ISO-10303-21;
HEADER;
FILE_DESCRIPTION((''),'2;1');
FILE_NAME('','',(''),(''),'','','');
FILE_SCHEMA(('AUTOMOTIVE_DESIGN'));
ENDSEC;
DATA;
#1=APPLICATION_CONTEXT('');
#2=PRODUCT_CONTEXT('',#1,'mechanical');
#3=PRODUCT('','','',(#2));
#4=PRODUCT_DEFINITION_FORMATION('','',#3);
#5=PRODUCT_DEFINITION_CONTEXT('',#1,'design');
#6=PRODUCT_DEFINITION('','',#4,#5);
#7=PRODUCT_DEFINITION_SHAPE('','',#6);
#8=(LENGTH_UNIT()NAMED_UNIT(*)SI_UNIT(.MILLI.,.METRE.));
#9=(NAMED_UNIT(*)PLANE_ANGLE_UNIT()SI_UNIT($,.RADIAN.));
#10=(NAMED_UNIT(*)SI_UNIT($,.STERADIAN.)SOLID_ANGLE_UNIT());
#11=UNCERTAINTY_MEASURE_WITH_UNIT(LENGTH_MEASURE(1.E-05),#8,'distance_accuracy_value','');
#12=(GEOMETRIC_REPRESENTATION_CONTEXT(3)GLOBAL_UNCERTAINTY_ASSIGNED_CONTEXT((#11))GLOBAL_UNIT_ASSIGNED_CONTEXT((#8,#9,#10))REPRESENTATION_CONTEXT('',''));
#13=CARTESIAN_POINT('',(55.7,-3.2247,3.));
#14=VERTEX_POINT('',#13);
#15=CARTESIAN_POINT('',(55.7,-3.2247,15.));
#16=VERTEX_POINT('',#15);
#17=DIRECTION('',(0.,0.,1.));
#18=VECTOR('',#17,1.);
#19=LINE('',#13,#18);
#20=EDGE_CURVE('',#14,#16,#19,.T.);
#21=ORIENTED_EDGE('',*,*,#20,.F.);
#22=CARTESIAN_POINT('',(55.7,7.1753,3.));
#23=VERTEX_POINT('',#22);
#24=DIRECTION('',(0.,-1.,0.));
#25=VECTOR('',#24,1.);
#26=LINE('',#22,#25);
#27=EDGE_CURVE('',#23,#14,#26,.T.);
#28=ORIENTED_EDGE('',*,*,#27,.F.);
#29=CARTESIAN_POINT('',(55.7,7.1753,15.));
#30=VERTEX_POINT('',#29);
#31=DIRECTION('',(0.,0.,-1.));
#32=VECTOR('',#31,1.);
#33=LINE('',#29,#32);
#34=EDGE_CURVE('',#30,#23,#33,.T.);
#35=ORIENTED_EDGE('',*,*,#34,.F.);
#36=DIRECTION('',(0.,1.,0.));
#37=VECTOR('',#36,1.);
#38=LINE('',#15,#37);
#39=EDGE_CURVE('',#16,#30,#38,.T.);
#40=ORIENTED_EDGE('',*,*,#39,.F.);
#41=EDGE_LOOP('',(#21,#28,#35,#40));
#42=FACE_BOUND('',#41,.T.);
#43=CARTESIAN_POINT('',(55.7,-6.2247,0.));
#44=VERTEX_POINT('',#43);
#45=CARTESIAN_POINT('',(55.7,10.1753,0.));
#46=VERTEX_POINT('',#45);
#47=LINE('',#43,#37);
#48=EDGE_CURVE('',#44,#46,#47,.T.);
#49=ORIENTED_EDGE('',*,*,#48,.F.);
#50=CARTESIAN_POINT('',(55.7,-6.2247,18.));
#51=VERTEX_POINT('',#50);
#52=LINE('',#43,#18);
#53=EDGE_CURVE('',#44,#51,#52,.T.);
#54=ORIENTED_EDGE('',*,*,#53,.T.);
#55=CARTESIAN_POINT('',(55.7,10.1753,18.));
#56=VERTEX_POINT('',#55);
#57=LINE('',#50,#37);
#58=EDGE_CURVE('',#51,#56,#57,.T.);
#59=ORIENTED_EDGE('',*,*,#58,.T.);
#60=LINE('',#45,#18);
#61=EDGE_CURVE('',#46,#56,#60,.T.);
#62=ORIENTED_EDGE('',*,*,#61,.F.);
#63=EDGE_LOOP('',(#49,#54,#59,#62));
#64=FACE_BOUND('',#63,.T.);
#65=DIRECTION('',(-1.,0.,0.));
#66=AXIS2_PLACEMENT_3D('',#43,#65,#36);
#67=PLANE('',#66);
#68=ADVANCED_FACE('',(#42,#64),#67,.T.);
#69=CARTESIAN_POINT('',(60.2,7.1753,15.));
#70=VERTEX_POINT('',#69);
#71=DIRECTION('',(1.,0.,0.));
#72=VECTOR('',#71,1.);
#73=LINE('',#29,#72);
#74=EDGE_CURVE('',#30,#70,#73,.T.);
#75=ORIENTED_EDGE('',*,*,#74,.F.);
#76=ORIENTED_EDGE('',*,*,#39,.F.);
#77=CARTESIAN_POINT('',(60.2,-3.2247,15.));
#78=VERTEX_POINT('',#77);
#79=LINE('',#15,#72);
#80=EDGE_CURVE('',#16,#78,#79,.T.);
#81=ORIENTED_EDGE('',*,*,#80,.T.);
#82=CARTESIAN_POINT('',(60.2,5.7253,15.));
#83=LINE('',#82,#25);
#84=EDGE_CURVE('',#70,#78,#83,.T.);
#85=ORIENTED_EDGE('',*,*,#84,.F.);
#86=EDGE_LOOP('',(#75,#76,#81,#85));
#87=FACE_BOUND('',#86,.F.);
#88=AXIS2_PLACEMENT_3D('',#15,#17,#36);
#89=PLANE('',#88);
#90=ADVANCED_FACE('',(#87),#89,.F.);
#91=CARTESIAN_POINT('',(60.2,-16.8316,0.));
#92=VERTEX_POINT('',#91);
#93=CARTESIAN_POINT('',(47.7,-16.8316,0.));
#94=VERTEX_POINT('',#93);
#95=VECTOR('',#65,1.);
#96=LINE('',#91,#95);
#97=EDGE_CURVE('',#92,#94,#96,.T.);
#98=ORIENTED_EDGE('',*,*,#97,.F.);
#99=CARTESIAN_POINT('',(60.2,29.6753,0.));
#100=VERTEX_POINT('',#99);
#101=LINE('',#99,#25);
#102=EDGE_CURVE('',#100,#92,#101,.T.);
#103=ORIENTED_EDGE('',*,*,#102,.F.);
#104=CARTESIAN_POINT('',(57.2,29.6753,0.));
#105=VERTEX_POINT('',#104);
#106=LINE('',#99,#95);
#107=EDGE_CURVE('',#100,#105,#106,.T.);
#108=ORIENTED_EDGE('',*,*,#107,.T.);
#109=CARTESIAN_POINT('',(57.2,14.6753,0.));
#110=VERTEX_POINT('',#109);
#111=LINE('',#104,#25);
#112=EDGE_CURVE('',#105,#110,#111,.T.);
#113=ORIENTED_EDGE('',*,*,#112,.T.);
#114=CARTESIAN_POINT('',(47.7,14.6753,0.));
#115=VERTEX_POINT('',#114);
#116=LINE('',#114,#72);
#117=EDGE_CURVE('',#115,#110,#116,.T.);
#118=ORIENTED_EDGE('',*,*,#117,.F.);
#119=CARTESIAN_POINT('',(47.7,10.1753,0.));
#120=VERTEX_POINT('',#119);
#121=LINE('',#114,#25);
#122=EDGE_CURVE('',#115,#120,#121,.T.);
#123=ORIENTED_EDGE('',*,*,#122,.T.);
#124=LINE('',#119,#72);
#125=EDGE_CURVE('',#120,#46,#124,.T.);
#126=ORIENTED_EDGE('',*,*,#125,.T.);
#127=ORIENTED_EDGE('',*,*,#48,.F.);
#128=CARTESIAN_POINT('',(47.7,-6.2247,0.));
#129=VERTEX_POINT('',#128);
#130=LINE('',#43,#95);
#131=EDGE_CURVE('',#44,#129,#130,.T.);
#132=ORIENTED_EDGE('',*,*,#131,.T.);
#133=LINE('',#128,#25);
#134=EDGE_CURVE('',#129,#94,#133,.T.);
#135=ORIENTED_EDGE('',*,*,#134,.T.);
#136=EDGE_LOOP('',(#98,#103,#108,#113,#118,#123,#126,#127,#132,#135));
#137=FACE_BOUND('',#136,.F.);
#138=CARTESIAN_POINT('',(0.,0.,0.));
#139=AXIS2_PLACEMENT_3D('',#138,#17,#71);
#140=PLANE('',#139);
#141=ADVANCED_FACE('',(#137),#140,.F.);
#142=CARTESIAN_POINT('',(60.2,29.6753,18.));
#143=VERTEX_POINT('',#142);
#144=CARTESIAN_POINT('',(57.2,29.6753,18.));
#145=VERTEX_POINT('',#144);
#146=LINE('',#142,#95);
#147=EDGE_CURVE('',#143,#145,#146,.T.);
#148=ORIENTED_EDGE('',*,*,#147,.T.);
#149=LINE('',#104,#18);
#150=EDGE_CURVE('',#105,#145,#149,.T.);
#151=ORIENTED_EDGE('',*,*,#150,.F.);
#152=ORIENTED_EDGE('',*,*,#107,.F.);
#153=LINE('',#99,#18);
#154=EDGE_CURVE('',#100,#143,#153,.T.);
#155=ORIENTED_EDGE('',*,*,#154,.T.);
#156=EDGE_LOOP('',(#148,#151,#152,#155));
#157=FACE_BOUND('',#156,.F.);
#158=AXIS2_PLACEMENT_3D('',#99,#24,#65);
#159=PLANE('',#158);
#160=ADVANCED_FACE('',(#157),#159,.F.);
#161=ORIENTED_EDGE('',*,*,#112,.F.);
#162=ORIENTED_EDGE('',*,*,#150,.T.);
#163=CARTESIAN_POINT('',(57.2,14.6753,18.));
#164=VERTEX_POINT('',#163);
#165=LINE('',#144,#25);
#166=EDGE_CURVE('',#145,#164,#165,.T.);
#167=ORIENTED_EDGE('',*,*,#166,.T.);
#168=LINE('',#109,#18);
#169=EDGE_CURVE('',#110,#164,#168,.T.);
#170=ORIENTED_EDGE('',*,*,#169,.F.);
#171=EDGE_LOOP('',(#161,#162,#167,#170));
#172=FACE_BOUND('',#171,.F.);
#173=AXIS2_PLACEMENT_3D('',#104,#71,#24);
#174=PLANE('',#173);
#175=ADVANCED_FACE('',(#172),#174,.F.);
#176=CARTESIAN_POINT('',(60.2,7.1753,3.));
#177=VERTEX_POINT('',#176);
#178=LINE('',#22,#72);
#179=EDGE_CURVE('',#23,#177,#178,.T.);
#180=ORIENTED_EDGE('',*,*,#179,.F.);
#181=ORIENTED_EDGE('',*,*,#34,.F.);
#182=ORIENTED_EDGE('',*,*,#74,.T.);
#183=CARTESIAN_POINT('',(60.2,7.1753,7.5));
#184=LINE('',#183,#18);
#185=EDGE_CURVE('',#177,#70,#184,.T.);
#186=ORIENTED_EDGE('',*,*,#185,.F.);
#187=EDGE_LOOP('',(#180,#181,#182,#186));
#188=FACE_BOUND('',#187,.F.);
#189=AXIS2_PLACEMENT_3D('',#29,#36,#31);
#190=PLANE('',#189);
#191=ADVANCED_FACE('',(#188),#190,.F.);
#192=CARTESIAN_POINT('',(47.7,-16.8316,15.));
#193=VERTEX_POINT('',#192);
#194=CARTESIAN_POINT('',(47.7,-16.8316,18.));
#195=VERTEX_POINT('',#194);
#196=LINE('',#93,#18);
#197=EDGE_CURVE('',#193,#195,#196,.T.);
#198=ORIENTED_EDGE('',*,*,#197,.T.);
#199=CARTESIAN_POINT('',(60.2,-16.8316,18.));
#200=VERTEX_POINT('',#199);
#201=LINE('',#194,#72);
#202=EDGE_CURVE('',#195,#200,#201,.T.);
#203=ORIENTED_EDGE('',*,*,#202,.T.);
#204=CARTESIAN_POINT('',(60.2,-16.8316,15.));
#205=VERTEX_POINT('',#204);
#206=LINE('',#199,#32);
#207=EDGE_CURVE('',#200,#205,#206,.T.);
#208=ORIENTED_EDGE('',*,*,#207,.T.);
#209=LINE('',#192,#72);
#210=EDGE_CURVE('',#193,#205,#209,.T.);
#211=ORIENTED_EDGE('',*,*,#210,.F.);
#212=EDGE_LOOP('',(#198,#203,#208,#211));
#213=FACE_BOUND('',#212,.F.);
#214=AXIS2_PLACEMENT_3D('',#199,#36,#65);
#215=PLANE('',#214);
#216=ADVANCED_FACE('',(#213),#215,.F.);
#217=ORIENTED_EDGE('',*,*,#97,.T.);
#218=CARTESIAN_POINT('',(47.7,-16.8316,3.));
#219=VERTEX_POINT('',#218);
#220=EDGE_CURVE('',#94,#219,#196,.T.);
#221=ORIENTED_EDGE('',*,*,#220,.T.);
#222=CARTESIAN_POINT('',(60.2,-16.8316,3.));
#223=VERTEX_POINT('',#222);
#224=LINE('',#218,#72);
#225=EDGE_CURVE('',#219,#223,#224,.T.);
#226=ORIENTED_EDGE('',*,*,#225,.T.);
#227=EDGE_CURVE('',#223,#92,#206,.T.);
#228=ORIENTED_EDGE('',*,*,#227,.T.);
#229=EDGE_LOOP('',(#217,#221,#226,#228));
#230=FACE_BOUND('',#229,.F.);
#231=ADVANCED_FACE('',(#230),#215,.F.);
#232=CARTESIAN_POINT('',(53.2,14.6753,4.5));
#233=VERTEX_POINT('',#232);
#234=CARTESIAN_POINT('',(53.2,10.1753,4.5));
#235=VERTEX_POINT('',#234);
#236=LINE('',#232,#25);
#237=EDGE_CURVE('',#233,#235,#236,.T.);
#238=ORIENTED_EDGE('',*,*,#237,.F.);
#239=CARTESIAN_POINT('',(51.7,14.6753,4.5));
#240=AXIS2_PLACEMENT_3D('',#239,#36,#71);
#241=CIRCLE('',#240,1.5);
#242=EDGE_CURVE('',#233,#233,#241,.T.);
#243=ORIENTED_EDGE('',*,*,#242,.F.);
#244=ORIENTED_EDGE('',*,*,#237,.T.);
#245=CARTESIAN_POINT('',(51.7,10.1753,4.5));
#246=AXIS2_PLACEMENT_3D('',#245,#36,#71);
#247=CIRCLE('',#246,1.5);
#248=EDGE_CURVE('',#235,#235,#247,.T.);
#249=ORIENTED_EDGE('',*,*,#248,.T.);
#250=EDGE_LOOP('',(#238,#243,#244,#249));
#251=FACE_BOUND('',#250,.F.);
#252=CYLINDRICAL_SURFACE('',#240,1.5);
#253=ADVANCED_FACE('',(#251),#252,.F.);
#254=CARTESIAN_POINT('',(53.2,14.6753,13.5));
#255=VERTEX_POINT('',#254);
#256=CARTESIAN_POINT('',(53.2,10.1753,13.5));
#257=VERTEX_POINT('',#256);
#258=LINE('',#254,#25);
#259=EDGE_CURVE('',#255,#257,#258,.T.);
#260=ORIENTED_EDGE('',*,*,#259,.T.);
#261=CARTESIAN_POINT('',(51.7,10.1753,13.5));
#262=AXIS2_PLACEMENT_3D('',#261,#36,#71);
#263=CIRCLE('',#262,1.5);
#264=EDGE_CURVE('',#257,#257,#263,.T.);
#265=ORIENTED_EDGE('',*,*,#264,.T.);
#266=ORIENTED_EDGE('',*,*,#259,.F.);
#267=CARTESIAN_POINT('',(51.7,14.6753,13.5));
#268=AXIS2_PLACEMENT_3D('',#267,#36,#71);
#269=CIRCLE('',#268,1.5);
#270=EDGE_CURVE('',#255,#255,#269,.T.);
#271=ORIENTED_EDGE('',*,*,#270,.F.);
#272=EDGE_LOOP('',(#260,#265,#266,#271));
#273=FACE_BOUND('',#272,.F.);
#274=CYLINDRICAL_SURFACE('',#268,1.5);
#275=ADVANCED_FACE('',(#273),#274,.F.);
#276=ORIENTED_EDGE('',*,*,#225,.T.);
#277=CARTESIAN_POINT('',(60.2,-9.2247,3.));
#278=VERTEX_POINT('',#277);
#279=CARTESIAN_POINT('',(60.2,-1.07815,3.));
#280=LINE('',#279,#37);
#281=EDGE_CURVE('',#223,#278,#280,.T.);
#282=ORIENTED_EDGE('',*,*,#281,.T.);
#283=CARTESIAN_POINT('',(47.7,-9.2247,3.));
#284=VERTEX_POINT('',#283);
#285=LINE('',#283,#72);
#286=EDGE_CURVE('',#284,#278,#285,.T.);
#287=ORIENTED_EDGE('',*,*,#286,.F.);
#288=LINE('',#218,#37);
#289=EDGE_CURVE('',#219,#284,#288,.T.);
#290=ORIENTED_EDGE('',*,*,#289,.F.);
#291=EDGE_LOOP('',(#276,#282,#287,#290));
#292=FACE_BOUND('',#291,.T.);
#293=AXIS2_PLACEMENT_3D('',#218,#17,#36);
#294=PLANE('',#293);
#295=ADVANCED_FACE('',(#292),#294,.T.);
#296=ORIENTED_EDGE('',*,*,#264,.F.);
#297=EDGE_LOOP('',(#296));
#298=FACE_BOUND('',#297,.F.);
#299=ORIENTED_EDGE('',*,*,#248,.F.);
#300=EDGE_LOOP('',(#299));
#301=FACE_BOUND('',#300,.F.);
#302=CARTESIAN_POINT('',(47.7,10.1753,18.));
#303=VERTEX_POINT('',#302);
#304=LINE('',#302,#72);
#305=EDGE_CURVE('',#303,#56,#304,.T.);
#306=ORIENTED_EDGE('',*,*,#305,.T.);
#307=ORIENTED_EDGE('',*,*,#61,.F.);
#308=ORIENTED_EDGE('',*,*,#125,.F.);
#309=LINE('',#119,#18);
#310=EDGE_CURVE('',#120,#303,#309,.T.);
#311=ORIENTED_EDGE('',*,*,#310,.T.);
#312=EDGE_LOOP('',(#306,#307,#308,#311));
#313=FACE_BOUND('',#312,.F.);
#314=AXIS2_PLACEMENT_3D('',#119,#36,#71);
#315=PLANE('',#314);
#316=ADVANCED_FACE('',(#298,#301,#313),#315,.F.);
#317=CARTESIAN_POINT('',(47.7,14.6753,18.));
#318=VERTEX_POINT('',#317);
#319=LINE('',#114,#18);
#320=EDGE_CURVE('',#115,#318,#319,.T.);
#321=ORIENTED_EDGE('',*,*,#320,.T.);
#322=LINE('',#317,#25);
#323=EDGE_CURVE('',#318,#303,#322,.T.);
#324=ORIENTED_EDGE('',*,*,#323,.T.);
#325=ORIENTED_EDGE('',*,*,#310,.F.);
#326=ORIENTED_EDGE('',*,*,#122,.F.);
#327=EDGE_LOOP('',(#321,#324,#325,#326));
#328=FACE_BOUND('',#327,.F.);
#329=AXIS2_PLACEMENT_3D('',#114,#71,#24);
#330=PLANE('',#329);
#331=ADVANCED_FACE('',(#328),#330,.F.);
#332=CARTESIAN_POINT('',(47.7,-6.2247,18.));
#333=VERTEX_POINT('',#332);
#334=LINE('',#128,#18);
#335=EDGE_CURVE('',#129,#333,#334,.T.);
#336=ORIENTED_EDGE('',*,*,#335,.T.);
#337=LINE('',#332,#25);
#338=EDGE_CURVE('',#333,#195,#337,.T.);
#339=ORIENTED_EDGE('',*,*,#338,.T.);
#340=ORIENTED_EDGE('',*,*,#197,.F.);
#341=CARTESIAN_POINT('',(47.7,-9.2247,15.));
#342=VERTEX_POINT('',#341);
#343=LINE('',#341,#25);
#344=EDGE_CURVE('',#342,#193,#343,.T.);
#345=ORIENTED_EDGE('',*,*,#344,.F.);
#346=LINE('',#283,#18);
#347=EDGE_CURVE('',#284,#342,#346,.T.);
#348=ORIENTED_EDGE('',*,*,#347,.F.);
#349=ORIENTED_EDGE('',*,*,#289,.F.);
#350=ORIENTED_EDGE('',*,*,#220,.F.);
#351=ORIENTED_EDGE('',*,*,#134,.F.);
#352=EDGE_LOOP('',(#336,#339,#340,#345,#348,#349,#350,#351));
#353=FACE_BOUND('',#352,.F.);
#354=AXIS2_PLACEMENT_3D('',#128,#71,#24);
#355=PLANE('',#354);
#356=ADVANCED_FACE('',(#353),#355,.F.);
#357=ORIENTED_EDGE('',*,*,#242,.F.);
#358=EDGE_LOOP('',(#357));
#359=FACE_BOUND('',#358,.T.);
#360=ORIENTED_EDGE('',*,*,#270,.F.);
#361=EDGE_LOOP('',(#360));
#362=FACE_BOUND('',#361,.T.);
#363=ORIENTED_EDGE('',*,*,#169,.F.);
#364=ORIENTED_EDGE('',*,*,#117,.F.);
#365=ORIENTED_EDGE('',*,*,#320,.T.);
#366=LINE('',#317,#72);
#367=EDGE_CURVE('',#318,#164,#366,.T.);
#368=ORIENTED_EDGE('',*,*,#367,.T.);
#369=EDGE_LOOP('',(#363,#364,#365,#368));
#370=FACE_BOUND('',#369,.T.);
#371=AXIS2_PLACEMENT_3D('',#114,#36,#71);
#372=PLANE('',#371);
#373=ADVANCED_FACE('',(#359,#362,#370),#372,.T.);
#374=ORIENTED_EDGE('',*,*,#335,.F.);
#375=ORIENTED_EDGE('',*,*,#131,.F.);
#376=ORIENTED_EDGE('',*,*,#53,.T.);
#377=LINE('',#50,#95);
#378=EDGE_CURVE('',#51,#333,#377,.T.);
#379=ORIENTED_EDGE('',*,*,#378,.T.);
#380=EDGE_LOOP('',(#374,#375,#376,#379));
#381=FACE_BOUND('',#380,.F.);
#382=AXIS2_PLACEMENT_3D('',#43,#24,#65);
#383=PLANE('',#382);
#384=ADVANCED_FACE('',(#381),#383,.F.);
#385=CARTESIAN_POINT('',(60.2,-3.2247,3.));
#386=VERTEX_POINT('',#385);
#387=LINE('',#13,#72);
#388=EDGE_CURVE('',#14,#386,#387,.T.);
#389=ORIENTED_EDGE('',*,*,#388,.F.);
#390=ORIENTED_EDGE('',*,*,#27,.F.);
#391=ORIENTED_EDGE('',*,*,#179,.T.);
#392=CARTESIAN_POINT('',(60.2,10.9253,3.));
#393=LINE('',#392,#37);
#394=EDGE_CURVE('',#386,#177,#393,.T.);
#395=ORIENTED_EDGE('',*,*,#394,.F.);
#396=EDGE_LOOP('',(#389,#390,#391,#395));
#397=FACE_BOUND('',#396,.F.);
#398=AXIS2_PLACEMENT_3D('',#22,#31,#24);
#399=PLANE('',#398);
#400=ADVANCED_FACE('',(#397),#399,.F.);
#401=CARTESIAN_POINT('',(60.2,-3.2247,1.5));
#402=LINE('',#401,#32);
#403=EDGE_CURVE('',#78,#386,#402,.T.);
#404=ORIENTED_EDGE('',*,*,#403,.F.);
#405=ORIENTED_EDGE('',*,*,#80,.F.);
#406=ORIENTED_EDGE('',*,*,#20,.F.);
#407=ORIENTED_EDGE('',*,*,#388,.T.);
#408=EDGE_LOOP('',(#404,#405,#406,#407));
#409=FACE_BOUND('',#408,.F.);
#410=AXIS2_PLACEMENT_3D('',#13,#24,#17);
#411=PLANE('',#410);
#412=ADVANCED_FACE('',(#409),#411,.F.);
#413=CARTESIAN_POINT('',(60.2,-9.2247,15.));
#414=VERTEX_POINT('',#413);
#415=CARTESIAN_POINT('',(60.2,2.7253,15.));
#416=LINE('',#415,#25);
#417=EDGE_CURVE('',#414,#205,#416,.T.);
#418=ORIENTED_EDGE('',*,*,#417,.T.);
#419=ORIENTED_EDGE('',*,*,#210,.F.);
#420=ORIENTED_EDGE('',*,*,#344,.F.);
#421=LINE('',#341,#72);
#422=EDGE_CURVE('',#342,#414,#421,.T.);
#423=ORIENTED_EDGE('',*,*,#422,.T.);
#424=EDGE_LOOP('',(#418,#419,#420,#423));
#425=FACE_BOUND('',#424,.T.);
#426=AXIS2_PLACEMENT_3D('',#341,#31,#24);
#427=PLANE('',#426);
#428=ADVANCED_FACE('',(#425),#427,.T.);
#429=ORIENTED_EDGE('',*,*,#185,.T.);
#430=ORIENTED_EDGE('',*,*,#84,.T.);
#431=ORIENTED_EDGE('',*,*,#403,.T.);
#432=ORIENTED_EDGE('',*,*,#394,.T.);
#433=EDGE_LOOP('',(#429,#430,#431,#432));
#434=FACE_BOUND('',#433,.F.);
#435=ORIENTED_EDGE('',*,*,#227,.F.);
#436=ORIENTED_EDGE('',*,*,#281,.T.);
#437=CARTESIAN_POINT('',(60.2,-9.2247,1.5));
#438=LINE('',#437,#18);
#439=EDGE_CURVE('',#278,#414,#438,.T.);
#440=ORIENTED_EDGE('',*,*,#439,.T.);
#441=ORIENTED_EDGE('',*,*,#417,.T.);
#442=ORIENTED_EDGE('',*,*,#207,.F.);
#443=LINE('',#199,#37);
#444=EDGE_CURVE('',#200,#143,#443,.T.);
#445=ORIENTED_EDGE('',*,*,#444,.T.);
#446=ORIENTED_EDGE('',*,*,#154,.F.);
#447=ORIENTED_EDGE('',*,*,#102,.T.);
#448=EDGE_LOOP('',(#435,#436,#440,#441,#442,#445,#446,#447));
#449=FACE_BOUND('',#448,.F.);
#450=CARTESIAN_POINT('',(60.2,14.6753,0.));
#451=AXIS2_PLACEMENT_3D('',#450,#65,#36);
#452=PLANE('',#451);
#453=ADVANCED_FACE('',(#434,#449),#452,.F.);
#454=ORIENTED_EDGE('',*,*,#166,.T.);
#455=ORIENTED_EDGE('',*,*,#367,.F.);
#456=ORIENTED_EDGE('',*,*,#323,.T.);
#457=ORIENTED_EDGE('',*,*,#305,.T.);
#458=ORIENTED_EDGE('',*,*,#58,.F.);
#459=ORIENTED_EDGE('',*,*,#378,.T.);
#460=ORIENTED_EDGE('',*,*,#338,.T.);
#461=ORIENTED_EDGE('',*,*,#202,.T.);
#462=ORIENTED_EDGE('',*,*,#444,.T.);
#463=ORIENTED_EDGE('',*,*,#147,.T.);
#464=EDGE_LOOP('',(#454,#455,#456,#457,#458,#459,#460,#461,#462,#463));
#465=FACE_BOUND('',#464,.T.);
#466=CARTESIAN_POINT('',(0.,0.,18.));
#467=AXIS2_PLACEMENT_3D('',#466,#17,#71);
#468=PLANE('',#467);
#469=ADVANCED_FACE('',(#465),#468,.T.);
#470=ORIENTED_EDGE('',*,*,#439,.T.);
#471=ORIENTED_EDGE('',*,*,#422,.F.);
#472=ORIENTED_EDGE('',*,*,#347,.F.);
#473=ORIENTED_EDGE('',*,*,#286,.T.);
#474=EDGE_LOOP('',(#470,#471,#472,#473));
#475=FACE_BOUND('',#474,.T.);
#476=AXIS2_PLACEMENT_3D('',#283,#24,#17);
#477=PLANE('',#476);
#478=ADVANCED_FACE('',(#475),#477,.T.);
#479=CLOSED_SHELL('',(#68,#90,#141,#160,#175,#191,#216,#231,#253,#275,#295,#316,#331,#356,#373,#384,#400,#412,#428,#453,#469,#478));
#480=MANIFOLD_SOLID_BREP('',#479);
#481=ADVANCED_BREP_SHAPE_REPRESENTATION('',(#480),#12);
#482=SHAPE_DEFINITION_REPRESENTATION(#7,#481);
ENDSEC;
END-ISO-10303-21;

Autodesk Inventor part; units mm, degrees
ref_plane "YZ Plane" through (0, 0, 0) normal (1, 0, 0) x (0, 1, 0)
ref_plane "XZ Plane" through (0, 0, 0) normal (0, 1, 0) x (-1, 0, 0)
ref_plane "XY Plane" through (0, 0, 0) normal (0, 0, 1) x (1, 0, 0)
sketch "Sketch1" plane through (0, 0, 0) normal (0, 0, 1) x (1, 0, 0)
  line L0 (47.7, 10.1753) -> (55.7, 10.1753)
  line L1 (55.7, -6.2247) -> (47.7, -6.2247)
  line L2 (47.7, -33.2316) -> (55.7, -33.2316)
  line L3 (55.7, -33.2316) -> (55.7, -16.8316)
  line L4 (55.7, -16.8316) -> (47.7, -16.8316)
  line L5 (60.2, -37.7316) -> (47.7, -37.7316)
  line L6 (60.2, -37.7316) -> (60.2, 14.6753)
  line L7 (55.7, -6.2247) -> (55.7, 10.1753)
  line L8 (47.7, 14.6753) -> (57.2, 14.6753)
  line L9 (47.7, -33.2316) -> (47.7, -37.7316)
  line L10 (47.7, 14.6753) -> (47.7, 10.1753)
  line L11 (47.7, -6.2247) -> (47.7, -16.8316)
  line L12 (60.2, 14.6753) -> (60.2, 29.6753)
  line L13 (60.2, 29.6753) -> (57.2, 29.6753)
  line L14 (57.2, 29.6753) -> (57.2, 14.6753)
extrude "Extrusion1" add sketch "Sketch1" along normal blind 18
sketch "Sketch2" plane through (0, 0, 18) normal (0, 0, 1) x (1, 0, 0)
  line L0 (60.2, 29.6753) -> (60.2, -37.7316) construction
  line L1 (47.7, -37.7316) -> (47.7, -33.2316) construction
  line L2 (60.2, -16.8316) -> (47.7, -16.8316)
  line L3 (47.7, -16.8316) -> (47.7, -37.7316)
  line L4 (47.7, -37.7316) -> (60.2, -37.7316)
  line L5 (60.2, -37.7316) -> (60.2, -16.8316)
  point P0 (0, 0)
extrude "Extrusion2" cut sketch "Sketch2" against normal blind 18
sketch "Sketch3" plane through (47.7, 14.6753, 0) normal (0, 1, 0) x (1, 0, 0)
  circle A0 centre (4, -4.5) radius 1.5
  circle A1 centre (4, -13.5) radius 1.5
  point P0 (-47.7, 0)
extrude "Extrusion3" cut sketch "Sketch3" against normal blind 4.5
sketch "Sketch4" plane through (47.7, -16.8316, 0) normal (-1, 0, 0) x (0, 0, 1)
  line L0 (0, 0) -> (18, 0) construction
  line L1 (15, 7.6069) -> (15, 0)
  line L2 (3, 0) -> (3, 7.6069)
  line L3 (3, 7.6069) -> (15, 7.6069)
  line L4 (3, 0) -> (15, 0)
  point P0 (0, 16.8316)
extrude "Extrusion4" cut sketch "Sketch4" against normal blind 20
sketch "Sketch5" plane through (55.7, -6.2247, 0) normal (-1, 0, 0) x (0, 0, 1)
  line L0 (0, 0) -> (0, 16.4) construction
  line L1 (0, 0) -> (18, 0) construction
  line L2 (18, 16.4) -> (18, 0) construction
  line L3 (0, 16.4) -> (18, 16.4) construction
  line L4 (3, 13.4) -> (3, 3)
  line L5 (3, 3) -> (15, 3)
  line L6 (15, 3) -> (15, 13.4)
  line L7 (15, 13.4) -> (3, 13.4)
  point P0 (0, 6.2247)
  dimension "d17" = 3
extrude "Extrusion5" cut sketch "Sketch5" against normal up to next
properties part number "pixyCam_mount"
